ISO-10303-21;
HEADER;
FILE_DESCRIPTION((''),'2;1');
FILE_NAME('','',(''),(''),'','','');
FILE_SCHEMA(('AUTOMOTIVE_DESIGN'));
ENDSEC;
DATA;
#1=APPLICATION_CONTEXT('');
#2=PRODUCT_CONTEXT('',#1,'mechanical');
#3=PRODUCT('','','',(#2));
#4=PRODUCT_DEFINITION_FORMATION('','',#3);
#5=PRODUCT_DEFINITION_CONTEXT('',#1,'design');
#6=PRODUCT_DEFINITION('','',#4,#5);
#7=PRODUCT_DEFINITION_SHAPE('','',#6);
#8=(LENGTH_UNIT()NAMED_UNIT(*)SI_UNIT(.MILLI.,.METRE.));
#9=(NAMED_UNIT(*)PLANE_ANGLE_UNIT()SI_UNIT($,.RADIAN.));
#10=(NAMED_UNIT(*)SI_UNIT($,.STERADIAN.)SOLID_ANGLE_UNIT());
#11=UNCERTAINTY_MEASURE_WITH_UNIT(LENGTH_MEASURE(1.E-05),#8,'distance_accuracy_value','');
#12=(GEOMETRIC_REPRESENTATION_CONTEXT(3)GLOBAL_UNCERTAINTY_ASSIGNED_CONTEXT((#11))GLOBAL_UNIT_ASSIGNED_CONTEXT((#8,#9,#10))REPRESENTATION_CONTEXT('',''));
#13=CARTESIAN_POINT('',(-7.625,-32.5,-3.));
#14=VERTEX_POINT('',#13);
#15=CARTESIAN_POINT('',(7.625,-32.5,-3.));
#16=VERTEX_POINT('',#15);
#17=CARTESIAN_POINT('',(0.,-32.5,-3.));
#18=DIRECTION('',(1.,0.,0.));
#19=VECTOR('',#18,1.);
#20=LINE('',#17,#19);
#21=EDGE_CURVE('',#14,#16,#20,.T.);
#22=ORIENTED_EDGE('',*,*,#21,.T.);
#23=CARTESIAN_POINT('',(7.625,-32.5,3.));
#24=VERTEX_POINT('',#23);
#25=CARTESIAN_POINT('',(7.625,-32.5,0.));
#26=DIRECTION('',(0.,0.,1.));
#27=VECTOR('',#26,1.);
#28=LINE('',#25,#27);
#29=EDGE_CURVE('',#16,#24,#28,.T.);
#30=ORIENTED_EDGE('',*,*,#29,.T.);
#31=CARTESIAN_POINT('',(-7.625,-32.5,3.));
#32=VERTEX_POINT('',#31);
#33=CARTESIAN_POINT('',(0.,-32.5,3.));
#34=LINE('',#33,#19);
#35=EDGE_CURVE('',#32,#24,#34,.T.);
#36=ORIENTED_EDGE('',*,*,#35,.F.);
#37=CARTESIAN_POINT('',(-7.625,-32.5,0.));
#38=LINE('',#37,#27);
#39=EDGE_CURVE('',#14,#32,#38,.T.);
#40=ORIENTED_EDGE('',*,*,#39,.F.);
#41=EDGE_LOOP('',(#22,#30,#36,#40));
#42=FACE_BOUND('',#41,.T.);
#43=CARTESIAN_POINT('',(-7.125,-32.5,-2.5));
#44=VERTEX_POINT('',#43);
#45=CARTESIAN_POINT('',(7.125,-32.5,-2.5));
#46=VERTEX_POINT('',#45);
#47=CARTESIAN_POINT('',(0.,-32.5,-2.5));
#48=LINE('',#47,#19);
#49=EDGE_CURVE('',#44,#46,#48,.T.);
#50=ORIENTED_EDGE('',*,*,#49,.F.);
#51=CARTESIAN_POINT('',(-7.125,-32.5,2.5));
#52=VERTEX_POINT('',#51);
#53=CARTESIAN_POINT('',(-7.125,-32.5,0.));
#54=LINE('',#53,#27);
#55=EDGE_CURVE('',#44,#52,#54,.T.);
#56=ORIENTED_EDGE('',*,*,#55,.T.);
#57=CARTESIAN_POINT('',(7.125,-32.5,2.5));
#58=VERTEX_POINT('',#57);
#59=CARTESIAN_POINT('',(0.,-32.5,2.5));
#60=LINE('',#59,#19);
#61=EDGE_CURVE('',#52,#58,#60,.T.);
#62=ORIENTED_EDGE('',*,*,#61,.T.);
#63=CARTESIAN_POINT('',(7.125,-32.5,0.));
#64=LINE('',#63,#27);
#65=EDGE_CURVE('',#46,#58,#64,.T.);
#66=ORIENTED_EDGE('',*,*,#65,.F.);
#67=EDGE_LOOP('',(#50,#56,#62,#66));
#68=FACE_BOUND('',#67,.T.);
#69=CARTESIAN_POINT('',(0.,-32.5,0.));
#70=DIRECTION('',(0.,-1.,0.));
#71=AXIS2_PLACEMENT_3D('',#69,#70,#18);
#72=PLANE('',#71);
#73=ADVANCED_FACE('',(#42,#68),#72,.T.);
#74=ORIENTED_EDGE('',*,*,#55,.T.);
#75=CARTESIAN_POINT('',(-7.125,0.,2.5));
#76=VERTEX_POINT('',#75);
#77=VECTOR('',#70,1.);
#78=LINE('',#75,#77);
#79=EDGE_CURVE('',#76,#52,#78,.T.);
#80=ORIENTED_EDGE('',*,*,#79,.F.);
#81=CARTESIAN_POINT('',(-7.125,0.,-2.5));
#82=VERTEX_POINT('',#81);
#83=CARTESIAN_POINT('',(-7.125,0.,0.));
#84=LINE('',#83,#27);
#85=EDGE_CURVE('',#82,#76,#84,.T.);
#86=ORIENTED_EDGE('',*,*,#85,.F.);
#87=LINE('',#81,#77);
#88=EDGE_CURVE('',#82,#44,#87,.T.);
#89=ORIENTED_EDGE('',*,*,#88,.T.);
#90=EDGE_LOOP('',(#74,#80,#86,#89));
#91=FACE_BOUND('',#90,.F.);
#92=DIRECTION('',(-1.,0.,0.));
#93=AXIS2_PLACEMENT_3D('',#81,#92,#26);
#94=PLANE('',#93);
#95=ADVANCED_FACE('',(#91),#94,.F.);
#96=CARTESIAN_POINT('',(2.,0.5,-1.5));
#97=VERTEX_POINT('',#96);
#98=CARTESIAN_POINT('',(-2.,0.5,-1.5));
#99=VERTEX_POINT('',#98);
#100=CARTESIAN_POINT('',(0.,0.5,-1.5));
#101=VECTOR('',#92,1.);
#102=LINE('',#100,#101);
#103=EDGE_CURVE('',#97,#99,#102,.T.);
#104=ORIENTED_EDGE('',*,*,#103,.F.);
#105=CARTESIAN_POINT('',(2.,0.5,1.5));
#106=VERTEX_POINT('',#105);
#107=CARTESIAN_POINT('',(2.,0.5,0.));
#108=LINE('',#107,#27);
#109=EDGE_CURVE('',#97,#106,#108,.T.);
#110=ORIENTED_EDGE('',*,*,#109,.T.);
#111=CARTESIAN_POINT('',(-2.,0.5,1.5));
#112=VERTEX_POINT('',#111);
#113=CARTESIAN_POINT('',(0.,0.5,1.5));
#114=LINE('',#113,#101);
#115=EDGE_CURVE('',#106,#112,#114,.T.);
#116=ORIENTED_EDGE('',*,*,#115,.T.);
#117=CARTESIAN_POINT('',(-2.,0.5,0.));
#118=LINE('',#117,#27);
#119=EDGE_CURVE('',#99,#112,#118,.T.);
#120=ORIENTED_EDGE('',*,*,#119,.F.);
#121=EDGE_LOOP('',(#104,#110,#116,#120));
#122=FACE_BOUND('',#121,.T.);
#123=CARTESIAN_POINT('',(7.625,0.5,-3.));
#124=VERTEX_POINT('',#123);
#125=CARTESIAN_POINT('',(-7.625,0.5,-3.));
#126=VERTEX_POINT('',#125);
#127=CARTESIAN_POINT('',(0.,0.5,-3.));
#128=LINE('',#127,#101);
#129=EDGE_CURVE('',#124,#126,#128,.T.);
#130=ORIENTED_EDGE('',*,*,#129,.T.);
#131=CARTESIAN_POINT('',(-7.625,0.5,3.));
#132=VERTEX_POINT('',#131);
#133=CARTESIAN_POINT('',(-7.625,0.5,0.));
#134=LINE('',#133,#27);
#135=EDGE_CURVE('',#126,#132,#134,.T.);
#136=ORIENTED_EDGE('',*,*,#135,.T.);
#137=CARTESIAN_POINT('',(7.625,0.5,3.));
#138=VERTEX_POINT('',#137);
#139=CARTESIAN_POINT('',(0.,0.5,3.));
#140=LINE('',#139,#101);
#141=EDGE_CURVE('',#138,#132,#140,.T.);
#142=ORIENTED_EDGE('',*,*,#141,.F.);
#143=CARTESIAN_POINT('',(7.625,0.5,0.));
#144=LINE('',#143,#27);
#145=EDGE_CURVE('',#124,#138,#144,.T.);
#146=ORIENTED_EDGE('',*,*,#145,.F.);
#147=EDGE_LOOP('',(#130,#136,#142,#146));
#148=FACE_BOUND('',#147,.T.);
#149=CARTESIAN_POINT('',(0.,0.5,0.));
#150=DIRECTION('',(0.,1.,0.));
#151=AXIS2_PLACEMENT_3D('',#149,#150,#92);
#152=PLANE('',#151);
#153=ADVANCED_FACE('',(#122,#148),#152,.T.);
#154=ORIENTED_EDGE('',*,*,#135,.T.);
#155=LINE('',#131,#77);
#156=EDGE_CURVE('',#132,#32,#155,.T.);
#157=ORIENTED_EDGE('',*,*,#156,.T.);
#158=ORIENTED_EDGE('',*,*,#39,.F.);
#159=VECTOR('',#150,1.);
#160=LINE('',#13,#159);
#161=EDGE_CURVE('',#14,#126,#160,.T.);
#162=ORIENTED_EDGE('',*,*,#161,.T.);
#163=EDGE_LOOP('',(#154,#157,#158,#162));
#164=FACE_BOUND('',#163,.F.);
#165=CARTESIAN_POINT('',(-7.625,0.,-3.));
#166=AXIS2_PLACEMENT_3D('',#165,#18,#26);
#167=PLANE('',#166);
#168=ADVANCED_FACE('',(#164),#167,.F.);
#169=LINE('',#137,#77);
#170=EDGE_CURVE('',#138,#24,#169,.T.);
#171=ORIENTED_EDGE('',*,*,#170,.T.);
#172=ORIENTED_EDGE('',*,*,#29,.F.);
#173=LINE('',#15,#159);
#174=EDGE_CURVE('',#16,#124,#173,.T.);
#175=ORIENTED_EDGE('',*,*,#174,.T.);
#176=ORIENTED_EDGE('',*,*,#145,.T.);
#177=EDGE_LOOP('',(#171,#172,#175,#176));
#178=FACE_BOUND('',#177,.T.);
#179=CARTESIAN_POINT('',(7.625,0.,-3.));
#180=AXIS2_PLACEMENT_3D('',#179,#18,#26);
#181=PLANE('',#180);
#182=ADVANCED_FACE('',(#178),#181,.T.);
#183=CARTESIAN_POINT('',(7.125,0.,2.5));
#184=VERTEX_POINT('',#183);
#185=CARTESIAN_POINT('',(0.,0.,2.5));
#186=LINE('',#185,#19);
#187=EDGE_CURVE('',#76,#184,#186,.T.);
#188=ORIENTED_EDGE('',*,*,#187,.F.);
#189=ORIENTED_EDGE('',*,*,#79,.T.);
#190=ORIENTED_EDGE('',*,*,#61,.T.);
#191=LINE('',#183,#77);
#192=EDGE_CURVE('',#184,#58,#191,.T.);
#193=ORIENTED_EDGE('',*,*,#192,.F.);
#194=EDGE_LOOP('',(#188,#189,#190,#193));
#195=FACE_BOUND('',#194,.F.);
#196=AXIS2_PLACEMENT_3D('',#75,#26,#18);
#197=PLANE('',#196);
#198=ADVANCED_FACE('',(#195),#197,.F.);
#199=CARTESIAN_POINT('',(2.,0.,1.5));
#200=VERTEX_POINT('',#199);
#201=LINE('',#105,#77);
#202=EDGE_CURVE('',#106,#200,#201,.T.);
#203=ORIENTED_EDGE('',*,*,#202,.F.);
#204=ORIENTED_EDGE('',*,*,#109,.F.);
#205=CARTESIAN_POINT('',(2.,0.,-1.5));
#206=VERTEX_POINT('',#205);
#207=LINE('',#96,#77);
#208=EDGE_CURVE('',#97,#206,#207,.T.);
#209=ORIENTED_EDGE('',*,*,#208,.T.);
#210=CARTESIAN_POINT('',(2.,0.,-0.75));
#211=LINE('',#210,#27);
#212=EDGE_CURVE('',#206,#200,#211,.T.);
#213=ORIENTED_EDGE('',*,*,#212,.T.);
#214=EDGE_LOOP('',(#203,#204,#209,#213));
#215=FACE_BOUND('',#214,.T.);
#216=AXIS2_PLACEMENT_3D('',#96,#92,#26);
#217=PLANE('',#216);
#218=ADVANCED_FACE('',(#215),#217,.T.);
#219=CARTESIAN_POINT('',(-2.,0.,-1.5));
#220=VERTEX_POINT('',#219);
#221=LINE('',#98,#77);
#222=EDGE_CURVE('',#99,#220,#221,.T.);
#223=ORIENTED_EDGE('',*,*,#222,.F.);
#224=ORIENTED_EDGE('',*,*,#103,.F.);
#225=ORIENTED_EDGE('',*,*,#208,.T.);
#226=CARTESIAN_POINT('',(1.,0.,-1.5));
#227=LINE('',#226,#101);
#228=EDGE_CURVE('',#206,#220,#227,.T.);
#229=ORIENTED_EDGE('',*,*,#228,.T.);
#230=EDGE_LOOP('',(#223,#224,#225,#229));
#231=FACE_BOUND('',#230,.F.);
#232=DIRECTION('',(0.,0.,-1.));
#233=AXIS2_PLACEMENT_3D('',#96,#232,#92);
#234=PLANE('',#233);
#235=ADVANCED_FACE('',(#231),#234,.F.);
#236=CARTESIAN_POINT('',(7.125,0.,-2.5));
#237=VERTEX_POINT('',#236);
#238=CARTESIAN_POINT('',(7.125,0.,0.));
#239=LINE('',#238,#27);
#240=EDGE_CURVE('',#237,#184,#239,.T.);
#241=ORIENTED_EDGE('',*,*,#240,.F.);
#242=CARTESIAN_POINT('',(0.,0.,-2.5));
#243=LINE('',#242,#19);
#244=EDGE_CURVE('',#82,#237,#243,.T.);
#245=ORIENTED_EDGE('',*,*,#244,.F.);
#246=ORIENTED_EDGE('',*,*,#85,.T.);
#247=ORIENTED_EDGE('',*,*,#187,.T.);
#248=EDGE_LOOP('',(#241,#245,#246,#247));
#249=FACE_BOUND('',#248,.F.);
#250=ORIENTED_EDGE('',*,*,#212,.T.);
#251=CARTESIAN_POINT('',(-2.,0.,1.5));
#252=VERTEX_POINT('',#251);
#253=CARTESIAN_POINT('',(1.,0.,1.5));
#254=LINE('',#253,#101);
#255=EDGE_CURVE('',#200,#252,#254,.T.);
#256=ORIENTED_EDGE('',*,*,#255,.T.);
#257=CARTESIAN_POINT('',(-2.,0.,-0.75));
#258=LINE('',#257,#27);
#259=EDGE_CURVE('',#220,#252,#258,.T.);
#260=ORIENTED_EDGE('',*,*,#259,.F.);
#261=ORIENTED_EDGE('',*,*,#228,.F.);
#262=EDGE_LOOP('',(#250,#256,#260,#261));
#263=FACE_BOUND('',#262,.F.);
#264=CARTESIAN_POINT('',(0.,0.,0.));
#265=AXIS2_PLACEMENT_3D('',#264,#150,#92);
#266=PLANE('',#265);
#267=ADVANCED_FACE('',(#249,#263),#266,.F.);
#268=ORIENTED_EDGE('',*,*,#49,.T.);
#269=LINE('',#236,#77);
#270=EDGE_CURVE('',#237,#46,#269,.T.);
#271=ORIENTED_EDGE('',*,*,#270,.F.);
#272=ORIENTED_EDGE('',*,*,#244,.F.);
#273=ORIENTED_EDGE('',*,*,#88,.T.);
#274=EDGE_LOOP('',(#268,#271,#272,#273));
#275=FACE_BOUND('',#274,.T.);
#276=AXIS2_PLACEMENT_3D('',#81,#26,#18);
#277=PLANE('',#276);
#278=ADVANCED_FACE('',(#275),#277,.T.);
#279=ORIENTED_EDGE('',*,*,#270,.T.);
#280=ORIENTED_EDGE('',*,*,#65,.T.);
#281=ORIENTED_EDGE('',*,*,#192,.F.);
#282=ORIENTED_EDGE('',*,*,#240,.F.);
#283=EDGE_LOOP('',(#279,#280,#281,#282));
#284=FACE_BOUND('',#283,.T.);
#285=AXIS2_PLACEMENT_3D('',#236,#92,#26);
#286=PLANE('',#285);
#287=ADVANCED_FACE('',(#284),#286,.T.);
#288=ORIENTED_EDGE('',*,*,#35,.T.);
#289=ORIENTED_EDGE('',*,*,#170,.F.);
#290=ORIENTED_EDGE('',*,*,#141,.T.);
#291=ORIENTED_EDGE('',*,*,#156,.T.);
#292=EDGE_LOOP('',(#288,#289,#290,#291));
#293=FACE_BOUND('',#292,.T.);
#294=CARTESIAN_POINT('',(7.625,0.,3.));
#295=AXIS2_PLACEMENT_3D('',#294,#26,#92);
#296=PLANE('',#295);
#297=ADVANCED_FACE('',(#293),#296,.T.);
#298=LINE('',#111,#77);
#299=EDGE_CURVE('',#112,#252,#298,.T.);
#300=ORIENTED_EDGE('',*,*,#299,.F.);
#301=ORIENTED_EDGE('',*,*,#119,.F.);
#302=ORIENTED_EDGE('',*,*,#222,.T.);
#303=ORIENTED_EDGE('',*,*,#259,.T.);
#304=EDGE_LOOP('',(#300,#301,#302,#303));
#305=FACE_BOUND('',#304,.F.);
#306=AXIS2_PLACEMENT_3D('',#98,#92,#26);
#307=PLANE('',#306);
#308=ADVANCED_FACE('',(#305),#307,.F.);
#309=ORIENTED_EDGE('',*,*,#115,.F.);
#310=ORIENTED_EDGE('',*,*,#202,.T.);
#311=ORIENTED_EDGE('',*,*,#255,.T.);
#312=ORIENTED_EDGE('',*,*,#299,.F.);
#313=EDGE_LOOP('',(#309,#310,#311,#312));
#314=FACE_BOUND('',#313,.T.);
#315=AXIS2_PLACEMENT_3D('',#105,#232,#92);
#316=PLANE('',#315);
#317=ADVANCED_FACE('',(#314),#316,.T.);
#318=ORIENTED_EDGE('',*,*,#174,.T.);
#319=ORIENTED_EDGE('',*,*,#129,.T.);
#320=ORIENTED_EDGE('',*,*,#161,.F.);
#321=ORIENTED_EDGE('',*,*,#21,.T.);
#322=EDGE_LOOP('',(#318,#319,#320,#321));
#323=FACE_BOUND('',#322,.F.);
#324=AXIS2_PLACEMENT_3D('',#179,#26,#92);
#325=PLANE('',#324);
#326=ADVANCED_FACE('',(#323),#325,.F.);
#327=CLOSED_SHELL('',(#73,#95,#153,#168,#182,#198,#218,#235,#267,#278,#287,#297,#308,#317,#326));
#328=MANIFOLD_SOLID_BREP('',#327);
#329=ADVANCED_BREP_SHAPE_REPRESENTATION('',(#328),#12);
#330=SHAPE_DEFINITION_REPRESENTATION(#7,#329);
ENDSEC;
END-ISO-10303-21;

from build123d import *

# Parameters (mm, degrees)
F0_W     = 15.25
F0_H     = 6
F0_W_2   = 14.25
F0_H_2   = 5
F1_DEPTH = 32.5
F2_W     = 15.25
F2_H     = 6
F3_DEPTH = 0.5
F4_W     = 4
F4_H     = 3
F5_DEPTH = 33.001


with BuildPart() as f1:
    # F0 (on Front) → F1 (new body)
    with BuildSketch(Plane.XZ):
        Rectangle(F0_W, F0_H)
        Rectangle(F0_W_2, F0_H_2, mode=Mode.SUBTRACT)
    extrude(amount=F1_DEPTH)

    # F2 (on face) → F3 (join)
    with BuildSketch(Plane(origin=(0, 0, 0), x_dir=(-1, 0, 0), z_dir=(0, 1, 0))):
        Rectangle(F2_W, F2_H)
    extrude(amount=F3_DEPTH)

    # F4 (on face) → F5 (cut, through all)
    with BuildSketch(Plane(origin=(0, 0.5, 0), x_dir=(-1, 0, 0), z_dir=(0, 1, 0))):
        Rectangle(F4_W, F4_H)
    extrude(amount=-F5_DEPTH, mode=Mode.SUBTRACT)


solid = f1.part
